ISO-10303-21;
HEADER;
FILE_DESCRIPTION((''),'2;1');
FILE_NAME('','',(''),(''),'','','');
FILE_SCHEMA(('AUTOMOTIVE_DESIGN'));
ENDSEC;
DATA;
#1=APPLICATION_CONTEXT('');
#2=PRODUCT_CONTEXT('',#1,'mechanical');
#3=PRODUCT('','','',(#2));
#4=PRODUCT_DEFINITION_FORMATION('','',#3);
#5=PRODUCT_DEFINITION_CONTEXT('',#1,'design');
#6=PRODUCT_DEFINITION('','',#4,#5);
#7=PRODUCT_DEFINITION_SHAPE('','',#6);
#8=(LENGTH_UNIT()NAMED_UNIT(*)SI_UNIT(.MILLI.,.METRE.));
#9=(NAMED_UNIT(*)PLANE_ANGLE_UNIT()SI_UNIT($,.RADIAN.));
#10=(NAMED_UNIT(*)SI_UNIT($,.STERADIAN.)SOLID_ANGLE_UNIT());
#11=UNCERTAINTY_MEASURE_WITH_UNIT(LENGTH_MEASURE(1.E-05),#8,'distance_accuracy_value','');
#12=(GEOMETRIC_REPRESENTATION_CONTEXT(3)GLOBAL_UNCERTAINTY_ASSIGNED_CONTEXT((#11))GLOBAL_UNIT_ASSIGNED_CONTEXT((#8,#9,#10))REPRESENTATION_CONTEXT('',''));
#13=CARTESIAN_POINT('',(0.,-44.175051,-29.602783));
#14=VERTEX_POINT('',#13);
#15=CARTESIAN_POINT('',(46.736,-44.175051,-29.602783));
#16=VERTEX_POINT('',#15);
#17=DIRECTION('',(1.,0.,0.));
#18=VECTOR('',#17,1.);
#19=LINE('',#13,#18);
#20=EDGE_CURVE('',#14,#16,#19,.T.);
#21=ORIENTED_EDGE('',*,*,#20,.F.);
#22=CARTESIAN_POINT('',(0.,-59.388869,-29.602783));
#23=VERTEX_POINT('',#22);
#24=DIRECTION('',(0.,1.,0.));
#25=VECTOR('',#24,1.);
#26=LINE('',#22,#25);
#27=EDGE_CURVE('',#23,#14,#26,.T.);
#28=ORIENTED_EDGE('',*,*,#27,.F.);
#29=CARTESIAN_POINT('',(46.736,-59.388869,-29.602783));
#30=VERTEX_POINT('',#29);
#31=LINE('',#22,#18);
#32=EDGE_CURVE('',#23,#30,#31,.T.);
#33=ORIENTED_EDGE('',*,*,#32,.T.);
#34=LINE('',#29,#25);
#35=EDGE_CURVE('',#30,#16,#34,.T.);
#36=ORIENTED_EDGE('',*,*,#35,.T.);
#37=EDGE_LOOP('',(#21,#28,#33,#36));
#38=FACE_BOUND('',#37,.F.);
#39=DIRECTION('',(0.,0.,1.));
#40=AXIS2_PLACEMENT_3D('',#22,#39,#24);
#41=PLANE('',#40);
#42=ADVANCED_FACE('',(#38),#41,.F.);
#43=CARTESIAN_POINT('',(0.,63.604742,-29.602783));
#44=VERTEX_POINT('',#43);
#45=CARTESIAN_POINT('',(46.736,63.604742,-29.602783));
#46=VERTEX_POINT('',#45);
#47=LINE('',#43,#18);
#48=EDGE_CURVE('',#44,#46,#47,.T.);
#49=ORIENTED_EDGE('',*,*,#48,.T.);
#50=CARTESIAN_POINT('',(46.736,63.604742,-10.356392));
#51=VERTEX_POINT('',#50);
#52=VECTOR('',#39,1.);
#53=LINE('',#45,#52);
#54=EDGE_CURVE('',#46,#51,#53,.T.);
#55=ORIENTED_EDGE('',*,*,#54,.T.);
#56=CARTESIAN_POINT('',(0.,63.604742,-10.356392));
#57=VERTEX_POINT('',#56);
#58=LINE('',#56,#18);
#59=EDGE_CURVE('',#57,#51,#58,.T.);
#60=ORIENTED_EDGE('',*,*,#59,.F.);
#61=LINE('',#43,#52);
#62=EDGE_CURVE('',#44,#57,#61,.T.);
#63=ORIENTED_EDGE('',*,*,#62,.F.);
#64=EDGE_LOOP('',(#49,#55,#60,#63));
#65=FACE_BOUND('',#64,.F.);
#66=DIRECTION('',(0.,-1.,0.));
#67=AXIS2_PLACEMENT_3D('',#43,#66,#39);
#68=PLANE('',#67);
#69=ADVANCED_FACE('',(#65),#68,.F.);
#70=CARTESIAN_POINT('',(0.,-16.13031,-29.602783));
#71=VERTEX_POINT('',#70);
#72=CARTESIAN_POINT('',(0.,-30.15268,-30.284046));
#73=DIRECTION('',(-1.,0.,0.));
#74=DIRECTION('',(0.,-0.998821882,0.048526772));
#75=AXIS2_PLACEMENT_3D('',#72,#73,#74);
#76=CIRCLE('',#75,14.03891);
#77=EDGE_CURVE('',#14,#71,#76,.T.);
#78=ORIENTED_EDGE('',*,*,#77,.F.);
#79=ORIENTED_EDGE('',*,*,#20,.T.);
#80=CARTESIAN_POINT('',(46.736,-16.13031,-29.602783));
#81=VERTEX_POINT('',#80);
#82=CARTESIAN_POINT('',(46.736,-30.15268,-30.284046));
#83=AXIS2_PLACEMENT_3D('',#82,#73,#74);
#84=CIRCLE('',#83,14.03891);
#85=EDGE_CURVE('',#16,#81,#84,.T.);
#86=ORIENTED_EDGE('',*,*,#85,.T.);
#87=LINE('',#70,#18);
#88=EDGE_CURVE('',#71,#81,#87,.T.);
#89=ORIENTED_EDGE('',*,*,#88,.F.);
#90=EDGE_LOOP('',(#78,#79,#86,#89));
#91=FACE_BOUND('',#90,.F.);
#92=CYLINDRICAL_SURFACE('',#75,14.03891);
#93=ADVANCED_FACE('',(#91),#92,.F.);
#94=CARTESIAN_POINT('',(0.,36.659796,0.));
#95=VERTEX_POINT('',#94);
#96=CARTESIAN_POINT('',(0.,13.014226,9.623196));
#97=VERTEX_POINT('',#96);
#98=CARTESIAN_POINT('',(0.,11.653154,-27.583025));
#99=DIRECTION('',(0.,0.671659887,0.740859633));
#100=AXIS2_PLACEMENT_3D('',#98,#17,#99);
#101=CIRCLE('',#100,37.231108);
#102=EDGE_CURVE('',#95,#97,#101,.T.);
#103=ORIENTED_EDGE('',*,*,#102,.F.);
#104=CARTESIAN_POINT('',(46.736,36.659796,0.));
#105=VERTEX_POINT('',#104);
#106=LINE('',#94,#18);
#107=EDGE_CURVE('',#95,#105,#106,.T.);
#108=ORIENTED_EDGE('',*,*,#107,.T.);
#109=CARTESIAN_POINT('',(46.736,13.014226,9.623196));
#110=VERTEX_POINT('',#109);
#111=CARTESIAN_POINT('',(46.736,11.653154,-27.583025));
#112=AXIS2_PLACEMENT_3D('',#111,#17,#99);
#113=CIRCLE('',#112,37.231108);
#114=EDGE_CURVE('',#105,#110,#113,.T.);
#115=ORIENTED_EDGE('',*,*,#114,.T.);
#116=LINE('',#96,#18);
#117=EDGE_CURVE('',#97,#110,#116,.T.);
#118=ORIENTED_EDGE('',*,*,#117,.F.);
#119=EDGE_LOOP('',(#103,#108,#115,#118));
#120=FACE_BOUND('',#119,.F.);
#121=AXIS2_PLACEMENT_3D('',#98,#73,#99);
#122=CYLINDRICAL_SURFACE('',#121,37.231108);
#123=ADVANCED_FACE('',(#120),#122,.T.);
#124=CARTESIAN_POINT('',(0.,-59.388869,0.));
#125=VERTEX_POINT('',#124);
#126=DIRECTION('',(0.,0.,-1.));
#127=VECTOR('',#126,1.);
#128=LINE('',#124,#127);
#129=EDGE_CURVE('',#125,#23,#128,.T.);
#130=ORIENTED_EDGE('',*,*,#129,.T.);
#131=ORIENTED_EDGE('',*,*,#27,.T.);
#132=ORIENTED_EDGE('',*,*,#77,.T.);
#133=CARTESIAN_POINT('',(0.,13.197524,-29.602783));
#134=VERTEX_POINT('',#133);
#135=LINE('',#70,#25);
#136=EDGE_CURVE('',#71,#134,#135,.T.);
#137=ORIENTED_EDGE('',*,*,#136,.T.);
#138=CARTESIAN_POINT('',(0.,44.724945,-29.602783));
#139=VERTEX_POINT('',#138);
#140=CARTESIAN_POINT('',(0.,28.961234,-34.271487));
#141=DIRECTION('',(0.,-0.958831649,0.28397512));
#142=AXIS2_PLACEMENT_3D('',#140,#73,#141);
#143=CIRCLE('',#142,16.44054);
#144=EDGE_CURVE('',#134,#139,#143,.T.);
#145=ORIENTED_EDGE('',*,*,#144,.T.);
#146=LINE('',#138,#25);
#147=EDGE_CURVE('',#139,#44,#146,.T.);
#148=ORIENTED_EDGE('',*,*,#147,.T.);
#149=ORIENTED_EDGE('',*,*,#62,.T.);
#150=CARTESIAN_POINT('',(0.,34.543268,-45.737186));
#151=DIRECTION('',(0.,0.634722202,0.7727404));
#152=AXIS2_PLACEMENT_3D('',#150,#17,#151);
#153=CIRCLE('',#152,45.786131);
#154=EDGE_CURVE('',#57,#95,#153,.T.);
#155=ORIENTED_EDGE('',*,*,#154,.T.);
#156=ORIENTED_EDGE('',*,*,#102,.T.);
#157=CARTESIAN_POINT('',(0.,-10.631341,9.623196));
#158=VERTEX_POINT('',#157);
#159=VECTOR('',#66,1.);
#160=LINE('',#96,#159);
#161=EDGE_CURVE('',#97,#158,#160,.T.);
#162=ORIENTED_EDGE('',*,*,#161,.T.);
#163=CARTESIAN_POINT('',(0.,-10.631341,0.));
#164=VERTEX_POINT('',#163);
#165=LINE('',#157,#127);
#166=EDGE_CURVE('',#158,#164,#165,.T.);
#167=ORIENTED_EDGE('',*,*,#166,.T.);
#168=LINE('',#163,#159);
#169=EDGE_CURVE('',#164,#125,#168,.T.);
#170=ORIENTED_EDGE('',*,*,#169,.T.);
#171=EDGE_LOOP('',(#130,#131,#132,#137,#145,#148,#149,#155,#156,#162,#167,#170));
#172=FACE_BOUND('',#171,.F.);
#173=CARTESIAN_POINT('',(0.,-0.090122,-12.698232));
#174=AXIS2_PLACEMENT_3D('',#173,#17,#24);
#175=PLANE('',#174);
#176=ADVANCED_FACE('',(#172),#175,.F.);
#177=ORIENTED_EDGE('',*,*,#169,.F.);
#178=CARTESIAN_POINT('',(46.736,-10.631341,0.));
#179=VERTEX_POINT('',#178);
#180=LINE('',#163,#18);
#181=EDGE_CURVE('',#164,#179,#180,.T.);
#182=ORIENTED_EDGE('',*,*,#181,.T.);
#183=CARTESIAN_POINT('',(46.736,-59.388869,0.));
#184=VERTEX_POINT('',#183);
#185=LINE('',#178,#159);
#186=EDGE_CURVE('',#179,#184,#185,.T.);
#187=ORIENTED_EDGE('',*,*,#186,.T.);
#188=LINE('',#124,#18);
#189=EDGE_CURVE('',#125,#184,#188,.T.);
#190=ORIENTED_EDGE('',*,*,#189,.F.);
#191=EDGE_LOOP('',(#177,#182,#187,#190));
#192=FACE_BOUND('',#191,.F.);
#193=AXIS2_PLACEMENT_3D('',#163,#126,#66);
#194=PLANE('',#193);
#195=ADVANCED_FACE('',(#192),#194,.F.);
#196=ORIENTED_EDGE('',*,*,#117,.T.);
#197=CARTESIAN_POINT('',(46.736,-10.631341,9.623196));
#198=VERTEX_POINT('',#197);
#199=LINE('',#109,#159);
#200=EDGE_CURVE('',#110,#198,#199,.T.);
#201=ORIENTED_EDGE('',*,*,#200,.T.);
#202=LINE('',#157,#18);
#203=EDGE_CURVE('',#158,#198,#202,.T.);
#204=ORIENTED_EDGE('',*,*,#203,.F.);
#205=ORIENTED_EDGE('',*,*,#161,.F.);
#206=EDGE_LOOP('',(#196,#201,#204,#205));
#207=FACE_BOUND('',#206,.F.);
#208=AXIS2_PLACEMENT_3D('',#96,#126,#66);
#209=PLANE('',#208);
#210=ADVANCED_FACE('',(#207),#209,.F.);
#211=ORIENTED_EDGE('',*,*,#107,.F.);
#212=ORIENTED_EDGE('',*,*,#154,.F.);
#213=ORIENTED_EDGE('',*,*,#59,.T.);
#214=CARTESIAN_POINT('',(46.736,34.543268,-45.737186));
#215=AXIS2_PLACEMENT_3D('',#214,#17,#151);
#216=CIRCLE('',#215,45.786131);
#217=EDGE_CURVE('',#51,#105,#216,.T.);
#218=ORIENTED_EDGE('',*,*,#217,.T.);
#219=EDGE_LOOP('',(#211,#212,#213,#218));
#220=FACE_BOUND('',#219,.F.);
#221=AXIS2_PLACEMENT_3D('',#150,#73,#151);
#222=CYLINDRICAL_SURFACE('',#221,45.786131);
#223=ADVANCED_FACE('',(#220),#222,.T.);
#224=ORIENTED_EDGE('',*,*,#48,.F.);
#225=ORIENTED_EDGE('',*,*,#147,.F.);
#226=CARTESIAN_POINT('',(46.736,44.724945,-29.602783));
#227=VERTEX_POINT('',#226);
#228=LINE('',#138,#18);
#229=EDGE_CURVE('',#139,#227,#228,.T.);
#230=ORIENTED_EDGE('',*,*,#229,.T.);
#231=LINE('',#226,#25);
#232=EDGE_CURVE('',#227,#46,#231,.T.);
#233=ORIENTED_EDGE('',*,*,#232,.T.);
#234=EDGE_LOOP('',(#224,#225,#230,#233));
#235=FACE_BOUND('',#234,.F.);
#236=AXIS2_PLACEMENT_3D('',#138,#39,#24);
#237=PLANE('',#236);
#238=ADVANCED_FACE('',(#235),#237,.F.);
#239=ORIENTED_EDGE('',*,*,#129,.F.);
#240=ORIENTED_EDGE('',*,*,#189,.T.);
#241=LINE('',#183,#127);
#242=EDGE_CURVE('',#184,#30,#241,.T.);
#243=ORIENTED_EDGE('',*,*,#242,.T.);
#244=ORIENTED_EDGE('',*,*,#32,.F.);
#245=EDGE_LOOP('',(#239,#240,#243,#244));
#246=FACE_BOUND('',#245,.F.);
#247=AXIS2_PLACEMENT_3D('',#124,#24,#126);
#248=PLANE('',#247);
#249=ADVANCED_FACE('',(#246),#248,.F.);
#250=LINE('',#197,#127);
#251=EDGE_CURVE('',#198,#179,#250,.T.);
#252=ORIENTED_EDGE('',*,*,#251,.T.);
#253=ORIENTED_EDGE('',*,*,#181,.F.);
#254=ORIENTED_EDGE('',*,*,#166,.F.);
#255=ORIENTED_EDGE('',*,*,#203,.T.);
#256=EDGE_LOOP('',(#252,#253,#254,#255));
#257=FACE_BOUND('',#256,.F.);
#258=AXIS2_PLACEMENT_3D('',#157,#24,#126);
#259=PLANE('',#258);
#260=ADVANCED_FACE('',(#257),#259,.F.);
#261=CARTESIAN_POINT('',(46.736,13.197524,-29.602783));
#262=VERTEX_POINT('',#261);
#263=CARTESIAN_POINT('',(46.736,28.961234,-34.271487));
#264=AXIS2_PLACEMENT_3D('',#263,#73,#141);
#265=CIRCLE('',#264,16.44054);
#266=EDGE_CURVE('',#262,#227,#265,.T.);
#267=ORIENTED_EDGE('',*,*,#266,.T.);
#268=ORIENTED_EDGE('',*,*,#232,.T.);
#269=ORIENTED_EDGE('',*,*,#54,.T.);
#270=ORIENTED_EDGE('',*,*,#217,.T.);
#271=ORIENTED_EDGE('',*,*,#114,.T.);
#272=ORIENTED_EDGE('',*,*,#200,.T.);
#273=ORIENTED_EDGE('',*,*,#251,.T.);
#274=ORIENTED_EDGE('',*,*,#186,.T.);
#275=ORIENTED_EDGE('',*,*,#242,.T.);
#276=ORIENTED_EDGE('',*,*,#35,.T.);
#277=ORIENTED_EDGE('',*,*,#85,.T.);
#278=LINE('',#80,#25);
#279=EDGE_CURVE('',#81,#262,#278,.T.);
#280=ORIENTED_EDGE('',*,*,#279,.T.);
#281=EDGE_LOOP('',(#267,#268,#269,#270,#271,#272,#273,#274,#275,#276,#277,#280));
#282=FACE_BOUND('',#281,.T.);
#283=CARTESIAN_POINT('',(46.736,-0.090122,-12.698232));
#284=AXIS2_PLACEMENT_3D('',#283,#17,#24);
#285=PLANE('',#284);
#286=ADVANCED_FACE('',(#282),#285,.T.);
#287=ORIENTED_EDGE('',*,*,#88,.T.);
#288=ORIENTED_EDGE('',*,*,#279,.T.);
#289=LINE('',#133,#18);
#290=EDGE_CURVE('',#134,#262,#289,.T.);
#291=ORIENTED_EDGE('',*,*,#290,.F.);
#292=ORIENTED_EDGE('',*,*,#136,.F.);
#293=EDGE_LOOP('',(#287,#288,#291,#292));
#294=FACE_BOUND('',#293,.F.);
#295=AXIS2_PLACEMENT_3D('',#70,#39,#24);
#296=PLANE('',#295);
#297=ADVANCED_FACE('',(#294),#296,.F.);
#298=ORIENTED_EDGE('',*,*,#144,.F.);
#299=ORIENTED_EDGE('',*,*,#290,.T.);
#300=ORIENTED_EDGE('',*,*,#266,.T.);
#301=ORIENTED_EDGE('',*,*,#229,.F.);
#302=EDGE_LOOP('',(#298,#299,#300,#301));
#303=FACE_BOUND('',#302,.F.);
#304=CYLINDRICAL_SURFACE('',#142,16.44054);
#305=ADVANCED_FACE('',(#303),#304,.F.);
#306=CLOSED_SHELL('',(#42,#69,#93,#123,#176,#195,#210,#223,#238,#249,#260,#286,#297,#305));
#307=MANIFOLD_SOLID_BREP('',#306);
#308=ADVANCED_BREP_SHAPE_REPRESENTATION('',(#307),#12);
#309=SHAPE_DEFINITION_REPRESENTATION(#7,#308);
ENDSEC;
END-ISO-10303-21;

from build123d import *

# Parameters (mm, degrees)
F1_DEPTH = 46.736


with BuildPart() as f1:
    # F0 (on Right) → F1 (new body)
    with BuildSketch(Plane.YZ):
        with BuildLine():
            Line((-10.631341, 9.623196), (-10.631341, 0))
            Line((-10.631341, 0), (-59.388869, 0))
            Line((-59.388869, 0), (-59.388869, -29.602783))
            Line((-59.388869, -29.602783), (-44.175051, -29.602783))
            ThreePointArc((-44.175051, -29.602783), (-30.15268, -16.245136), (-16.13031, -29.602783))
            Line((-16.13031, -29.602783), (13.197524, -29.602783))
            ThreePointArc((13.197524, -29.602783), (28.961235, -17.830947), (44.724945, -29.602783))
            Line((44.724945, -29.602783), (63.604742, -29.602783))
            Line((63.604742, -29.602783), (63.604742, -10.356392))
            ThreePointArc((63.604742, -10.356392), (50.969791, -2.999156), (36.659796, 0))
            ThreePointArc((36.659796, 0), (25.687596, 6.901607), (13.014226, 9.623196))
            Line((13.014226, 9.623196), (-10.631341, 9.623196))
        make_face()
    extrude(amount=F1_DEPTH)


solid = f1.part
